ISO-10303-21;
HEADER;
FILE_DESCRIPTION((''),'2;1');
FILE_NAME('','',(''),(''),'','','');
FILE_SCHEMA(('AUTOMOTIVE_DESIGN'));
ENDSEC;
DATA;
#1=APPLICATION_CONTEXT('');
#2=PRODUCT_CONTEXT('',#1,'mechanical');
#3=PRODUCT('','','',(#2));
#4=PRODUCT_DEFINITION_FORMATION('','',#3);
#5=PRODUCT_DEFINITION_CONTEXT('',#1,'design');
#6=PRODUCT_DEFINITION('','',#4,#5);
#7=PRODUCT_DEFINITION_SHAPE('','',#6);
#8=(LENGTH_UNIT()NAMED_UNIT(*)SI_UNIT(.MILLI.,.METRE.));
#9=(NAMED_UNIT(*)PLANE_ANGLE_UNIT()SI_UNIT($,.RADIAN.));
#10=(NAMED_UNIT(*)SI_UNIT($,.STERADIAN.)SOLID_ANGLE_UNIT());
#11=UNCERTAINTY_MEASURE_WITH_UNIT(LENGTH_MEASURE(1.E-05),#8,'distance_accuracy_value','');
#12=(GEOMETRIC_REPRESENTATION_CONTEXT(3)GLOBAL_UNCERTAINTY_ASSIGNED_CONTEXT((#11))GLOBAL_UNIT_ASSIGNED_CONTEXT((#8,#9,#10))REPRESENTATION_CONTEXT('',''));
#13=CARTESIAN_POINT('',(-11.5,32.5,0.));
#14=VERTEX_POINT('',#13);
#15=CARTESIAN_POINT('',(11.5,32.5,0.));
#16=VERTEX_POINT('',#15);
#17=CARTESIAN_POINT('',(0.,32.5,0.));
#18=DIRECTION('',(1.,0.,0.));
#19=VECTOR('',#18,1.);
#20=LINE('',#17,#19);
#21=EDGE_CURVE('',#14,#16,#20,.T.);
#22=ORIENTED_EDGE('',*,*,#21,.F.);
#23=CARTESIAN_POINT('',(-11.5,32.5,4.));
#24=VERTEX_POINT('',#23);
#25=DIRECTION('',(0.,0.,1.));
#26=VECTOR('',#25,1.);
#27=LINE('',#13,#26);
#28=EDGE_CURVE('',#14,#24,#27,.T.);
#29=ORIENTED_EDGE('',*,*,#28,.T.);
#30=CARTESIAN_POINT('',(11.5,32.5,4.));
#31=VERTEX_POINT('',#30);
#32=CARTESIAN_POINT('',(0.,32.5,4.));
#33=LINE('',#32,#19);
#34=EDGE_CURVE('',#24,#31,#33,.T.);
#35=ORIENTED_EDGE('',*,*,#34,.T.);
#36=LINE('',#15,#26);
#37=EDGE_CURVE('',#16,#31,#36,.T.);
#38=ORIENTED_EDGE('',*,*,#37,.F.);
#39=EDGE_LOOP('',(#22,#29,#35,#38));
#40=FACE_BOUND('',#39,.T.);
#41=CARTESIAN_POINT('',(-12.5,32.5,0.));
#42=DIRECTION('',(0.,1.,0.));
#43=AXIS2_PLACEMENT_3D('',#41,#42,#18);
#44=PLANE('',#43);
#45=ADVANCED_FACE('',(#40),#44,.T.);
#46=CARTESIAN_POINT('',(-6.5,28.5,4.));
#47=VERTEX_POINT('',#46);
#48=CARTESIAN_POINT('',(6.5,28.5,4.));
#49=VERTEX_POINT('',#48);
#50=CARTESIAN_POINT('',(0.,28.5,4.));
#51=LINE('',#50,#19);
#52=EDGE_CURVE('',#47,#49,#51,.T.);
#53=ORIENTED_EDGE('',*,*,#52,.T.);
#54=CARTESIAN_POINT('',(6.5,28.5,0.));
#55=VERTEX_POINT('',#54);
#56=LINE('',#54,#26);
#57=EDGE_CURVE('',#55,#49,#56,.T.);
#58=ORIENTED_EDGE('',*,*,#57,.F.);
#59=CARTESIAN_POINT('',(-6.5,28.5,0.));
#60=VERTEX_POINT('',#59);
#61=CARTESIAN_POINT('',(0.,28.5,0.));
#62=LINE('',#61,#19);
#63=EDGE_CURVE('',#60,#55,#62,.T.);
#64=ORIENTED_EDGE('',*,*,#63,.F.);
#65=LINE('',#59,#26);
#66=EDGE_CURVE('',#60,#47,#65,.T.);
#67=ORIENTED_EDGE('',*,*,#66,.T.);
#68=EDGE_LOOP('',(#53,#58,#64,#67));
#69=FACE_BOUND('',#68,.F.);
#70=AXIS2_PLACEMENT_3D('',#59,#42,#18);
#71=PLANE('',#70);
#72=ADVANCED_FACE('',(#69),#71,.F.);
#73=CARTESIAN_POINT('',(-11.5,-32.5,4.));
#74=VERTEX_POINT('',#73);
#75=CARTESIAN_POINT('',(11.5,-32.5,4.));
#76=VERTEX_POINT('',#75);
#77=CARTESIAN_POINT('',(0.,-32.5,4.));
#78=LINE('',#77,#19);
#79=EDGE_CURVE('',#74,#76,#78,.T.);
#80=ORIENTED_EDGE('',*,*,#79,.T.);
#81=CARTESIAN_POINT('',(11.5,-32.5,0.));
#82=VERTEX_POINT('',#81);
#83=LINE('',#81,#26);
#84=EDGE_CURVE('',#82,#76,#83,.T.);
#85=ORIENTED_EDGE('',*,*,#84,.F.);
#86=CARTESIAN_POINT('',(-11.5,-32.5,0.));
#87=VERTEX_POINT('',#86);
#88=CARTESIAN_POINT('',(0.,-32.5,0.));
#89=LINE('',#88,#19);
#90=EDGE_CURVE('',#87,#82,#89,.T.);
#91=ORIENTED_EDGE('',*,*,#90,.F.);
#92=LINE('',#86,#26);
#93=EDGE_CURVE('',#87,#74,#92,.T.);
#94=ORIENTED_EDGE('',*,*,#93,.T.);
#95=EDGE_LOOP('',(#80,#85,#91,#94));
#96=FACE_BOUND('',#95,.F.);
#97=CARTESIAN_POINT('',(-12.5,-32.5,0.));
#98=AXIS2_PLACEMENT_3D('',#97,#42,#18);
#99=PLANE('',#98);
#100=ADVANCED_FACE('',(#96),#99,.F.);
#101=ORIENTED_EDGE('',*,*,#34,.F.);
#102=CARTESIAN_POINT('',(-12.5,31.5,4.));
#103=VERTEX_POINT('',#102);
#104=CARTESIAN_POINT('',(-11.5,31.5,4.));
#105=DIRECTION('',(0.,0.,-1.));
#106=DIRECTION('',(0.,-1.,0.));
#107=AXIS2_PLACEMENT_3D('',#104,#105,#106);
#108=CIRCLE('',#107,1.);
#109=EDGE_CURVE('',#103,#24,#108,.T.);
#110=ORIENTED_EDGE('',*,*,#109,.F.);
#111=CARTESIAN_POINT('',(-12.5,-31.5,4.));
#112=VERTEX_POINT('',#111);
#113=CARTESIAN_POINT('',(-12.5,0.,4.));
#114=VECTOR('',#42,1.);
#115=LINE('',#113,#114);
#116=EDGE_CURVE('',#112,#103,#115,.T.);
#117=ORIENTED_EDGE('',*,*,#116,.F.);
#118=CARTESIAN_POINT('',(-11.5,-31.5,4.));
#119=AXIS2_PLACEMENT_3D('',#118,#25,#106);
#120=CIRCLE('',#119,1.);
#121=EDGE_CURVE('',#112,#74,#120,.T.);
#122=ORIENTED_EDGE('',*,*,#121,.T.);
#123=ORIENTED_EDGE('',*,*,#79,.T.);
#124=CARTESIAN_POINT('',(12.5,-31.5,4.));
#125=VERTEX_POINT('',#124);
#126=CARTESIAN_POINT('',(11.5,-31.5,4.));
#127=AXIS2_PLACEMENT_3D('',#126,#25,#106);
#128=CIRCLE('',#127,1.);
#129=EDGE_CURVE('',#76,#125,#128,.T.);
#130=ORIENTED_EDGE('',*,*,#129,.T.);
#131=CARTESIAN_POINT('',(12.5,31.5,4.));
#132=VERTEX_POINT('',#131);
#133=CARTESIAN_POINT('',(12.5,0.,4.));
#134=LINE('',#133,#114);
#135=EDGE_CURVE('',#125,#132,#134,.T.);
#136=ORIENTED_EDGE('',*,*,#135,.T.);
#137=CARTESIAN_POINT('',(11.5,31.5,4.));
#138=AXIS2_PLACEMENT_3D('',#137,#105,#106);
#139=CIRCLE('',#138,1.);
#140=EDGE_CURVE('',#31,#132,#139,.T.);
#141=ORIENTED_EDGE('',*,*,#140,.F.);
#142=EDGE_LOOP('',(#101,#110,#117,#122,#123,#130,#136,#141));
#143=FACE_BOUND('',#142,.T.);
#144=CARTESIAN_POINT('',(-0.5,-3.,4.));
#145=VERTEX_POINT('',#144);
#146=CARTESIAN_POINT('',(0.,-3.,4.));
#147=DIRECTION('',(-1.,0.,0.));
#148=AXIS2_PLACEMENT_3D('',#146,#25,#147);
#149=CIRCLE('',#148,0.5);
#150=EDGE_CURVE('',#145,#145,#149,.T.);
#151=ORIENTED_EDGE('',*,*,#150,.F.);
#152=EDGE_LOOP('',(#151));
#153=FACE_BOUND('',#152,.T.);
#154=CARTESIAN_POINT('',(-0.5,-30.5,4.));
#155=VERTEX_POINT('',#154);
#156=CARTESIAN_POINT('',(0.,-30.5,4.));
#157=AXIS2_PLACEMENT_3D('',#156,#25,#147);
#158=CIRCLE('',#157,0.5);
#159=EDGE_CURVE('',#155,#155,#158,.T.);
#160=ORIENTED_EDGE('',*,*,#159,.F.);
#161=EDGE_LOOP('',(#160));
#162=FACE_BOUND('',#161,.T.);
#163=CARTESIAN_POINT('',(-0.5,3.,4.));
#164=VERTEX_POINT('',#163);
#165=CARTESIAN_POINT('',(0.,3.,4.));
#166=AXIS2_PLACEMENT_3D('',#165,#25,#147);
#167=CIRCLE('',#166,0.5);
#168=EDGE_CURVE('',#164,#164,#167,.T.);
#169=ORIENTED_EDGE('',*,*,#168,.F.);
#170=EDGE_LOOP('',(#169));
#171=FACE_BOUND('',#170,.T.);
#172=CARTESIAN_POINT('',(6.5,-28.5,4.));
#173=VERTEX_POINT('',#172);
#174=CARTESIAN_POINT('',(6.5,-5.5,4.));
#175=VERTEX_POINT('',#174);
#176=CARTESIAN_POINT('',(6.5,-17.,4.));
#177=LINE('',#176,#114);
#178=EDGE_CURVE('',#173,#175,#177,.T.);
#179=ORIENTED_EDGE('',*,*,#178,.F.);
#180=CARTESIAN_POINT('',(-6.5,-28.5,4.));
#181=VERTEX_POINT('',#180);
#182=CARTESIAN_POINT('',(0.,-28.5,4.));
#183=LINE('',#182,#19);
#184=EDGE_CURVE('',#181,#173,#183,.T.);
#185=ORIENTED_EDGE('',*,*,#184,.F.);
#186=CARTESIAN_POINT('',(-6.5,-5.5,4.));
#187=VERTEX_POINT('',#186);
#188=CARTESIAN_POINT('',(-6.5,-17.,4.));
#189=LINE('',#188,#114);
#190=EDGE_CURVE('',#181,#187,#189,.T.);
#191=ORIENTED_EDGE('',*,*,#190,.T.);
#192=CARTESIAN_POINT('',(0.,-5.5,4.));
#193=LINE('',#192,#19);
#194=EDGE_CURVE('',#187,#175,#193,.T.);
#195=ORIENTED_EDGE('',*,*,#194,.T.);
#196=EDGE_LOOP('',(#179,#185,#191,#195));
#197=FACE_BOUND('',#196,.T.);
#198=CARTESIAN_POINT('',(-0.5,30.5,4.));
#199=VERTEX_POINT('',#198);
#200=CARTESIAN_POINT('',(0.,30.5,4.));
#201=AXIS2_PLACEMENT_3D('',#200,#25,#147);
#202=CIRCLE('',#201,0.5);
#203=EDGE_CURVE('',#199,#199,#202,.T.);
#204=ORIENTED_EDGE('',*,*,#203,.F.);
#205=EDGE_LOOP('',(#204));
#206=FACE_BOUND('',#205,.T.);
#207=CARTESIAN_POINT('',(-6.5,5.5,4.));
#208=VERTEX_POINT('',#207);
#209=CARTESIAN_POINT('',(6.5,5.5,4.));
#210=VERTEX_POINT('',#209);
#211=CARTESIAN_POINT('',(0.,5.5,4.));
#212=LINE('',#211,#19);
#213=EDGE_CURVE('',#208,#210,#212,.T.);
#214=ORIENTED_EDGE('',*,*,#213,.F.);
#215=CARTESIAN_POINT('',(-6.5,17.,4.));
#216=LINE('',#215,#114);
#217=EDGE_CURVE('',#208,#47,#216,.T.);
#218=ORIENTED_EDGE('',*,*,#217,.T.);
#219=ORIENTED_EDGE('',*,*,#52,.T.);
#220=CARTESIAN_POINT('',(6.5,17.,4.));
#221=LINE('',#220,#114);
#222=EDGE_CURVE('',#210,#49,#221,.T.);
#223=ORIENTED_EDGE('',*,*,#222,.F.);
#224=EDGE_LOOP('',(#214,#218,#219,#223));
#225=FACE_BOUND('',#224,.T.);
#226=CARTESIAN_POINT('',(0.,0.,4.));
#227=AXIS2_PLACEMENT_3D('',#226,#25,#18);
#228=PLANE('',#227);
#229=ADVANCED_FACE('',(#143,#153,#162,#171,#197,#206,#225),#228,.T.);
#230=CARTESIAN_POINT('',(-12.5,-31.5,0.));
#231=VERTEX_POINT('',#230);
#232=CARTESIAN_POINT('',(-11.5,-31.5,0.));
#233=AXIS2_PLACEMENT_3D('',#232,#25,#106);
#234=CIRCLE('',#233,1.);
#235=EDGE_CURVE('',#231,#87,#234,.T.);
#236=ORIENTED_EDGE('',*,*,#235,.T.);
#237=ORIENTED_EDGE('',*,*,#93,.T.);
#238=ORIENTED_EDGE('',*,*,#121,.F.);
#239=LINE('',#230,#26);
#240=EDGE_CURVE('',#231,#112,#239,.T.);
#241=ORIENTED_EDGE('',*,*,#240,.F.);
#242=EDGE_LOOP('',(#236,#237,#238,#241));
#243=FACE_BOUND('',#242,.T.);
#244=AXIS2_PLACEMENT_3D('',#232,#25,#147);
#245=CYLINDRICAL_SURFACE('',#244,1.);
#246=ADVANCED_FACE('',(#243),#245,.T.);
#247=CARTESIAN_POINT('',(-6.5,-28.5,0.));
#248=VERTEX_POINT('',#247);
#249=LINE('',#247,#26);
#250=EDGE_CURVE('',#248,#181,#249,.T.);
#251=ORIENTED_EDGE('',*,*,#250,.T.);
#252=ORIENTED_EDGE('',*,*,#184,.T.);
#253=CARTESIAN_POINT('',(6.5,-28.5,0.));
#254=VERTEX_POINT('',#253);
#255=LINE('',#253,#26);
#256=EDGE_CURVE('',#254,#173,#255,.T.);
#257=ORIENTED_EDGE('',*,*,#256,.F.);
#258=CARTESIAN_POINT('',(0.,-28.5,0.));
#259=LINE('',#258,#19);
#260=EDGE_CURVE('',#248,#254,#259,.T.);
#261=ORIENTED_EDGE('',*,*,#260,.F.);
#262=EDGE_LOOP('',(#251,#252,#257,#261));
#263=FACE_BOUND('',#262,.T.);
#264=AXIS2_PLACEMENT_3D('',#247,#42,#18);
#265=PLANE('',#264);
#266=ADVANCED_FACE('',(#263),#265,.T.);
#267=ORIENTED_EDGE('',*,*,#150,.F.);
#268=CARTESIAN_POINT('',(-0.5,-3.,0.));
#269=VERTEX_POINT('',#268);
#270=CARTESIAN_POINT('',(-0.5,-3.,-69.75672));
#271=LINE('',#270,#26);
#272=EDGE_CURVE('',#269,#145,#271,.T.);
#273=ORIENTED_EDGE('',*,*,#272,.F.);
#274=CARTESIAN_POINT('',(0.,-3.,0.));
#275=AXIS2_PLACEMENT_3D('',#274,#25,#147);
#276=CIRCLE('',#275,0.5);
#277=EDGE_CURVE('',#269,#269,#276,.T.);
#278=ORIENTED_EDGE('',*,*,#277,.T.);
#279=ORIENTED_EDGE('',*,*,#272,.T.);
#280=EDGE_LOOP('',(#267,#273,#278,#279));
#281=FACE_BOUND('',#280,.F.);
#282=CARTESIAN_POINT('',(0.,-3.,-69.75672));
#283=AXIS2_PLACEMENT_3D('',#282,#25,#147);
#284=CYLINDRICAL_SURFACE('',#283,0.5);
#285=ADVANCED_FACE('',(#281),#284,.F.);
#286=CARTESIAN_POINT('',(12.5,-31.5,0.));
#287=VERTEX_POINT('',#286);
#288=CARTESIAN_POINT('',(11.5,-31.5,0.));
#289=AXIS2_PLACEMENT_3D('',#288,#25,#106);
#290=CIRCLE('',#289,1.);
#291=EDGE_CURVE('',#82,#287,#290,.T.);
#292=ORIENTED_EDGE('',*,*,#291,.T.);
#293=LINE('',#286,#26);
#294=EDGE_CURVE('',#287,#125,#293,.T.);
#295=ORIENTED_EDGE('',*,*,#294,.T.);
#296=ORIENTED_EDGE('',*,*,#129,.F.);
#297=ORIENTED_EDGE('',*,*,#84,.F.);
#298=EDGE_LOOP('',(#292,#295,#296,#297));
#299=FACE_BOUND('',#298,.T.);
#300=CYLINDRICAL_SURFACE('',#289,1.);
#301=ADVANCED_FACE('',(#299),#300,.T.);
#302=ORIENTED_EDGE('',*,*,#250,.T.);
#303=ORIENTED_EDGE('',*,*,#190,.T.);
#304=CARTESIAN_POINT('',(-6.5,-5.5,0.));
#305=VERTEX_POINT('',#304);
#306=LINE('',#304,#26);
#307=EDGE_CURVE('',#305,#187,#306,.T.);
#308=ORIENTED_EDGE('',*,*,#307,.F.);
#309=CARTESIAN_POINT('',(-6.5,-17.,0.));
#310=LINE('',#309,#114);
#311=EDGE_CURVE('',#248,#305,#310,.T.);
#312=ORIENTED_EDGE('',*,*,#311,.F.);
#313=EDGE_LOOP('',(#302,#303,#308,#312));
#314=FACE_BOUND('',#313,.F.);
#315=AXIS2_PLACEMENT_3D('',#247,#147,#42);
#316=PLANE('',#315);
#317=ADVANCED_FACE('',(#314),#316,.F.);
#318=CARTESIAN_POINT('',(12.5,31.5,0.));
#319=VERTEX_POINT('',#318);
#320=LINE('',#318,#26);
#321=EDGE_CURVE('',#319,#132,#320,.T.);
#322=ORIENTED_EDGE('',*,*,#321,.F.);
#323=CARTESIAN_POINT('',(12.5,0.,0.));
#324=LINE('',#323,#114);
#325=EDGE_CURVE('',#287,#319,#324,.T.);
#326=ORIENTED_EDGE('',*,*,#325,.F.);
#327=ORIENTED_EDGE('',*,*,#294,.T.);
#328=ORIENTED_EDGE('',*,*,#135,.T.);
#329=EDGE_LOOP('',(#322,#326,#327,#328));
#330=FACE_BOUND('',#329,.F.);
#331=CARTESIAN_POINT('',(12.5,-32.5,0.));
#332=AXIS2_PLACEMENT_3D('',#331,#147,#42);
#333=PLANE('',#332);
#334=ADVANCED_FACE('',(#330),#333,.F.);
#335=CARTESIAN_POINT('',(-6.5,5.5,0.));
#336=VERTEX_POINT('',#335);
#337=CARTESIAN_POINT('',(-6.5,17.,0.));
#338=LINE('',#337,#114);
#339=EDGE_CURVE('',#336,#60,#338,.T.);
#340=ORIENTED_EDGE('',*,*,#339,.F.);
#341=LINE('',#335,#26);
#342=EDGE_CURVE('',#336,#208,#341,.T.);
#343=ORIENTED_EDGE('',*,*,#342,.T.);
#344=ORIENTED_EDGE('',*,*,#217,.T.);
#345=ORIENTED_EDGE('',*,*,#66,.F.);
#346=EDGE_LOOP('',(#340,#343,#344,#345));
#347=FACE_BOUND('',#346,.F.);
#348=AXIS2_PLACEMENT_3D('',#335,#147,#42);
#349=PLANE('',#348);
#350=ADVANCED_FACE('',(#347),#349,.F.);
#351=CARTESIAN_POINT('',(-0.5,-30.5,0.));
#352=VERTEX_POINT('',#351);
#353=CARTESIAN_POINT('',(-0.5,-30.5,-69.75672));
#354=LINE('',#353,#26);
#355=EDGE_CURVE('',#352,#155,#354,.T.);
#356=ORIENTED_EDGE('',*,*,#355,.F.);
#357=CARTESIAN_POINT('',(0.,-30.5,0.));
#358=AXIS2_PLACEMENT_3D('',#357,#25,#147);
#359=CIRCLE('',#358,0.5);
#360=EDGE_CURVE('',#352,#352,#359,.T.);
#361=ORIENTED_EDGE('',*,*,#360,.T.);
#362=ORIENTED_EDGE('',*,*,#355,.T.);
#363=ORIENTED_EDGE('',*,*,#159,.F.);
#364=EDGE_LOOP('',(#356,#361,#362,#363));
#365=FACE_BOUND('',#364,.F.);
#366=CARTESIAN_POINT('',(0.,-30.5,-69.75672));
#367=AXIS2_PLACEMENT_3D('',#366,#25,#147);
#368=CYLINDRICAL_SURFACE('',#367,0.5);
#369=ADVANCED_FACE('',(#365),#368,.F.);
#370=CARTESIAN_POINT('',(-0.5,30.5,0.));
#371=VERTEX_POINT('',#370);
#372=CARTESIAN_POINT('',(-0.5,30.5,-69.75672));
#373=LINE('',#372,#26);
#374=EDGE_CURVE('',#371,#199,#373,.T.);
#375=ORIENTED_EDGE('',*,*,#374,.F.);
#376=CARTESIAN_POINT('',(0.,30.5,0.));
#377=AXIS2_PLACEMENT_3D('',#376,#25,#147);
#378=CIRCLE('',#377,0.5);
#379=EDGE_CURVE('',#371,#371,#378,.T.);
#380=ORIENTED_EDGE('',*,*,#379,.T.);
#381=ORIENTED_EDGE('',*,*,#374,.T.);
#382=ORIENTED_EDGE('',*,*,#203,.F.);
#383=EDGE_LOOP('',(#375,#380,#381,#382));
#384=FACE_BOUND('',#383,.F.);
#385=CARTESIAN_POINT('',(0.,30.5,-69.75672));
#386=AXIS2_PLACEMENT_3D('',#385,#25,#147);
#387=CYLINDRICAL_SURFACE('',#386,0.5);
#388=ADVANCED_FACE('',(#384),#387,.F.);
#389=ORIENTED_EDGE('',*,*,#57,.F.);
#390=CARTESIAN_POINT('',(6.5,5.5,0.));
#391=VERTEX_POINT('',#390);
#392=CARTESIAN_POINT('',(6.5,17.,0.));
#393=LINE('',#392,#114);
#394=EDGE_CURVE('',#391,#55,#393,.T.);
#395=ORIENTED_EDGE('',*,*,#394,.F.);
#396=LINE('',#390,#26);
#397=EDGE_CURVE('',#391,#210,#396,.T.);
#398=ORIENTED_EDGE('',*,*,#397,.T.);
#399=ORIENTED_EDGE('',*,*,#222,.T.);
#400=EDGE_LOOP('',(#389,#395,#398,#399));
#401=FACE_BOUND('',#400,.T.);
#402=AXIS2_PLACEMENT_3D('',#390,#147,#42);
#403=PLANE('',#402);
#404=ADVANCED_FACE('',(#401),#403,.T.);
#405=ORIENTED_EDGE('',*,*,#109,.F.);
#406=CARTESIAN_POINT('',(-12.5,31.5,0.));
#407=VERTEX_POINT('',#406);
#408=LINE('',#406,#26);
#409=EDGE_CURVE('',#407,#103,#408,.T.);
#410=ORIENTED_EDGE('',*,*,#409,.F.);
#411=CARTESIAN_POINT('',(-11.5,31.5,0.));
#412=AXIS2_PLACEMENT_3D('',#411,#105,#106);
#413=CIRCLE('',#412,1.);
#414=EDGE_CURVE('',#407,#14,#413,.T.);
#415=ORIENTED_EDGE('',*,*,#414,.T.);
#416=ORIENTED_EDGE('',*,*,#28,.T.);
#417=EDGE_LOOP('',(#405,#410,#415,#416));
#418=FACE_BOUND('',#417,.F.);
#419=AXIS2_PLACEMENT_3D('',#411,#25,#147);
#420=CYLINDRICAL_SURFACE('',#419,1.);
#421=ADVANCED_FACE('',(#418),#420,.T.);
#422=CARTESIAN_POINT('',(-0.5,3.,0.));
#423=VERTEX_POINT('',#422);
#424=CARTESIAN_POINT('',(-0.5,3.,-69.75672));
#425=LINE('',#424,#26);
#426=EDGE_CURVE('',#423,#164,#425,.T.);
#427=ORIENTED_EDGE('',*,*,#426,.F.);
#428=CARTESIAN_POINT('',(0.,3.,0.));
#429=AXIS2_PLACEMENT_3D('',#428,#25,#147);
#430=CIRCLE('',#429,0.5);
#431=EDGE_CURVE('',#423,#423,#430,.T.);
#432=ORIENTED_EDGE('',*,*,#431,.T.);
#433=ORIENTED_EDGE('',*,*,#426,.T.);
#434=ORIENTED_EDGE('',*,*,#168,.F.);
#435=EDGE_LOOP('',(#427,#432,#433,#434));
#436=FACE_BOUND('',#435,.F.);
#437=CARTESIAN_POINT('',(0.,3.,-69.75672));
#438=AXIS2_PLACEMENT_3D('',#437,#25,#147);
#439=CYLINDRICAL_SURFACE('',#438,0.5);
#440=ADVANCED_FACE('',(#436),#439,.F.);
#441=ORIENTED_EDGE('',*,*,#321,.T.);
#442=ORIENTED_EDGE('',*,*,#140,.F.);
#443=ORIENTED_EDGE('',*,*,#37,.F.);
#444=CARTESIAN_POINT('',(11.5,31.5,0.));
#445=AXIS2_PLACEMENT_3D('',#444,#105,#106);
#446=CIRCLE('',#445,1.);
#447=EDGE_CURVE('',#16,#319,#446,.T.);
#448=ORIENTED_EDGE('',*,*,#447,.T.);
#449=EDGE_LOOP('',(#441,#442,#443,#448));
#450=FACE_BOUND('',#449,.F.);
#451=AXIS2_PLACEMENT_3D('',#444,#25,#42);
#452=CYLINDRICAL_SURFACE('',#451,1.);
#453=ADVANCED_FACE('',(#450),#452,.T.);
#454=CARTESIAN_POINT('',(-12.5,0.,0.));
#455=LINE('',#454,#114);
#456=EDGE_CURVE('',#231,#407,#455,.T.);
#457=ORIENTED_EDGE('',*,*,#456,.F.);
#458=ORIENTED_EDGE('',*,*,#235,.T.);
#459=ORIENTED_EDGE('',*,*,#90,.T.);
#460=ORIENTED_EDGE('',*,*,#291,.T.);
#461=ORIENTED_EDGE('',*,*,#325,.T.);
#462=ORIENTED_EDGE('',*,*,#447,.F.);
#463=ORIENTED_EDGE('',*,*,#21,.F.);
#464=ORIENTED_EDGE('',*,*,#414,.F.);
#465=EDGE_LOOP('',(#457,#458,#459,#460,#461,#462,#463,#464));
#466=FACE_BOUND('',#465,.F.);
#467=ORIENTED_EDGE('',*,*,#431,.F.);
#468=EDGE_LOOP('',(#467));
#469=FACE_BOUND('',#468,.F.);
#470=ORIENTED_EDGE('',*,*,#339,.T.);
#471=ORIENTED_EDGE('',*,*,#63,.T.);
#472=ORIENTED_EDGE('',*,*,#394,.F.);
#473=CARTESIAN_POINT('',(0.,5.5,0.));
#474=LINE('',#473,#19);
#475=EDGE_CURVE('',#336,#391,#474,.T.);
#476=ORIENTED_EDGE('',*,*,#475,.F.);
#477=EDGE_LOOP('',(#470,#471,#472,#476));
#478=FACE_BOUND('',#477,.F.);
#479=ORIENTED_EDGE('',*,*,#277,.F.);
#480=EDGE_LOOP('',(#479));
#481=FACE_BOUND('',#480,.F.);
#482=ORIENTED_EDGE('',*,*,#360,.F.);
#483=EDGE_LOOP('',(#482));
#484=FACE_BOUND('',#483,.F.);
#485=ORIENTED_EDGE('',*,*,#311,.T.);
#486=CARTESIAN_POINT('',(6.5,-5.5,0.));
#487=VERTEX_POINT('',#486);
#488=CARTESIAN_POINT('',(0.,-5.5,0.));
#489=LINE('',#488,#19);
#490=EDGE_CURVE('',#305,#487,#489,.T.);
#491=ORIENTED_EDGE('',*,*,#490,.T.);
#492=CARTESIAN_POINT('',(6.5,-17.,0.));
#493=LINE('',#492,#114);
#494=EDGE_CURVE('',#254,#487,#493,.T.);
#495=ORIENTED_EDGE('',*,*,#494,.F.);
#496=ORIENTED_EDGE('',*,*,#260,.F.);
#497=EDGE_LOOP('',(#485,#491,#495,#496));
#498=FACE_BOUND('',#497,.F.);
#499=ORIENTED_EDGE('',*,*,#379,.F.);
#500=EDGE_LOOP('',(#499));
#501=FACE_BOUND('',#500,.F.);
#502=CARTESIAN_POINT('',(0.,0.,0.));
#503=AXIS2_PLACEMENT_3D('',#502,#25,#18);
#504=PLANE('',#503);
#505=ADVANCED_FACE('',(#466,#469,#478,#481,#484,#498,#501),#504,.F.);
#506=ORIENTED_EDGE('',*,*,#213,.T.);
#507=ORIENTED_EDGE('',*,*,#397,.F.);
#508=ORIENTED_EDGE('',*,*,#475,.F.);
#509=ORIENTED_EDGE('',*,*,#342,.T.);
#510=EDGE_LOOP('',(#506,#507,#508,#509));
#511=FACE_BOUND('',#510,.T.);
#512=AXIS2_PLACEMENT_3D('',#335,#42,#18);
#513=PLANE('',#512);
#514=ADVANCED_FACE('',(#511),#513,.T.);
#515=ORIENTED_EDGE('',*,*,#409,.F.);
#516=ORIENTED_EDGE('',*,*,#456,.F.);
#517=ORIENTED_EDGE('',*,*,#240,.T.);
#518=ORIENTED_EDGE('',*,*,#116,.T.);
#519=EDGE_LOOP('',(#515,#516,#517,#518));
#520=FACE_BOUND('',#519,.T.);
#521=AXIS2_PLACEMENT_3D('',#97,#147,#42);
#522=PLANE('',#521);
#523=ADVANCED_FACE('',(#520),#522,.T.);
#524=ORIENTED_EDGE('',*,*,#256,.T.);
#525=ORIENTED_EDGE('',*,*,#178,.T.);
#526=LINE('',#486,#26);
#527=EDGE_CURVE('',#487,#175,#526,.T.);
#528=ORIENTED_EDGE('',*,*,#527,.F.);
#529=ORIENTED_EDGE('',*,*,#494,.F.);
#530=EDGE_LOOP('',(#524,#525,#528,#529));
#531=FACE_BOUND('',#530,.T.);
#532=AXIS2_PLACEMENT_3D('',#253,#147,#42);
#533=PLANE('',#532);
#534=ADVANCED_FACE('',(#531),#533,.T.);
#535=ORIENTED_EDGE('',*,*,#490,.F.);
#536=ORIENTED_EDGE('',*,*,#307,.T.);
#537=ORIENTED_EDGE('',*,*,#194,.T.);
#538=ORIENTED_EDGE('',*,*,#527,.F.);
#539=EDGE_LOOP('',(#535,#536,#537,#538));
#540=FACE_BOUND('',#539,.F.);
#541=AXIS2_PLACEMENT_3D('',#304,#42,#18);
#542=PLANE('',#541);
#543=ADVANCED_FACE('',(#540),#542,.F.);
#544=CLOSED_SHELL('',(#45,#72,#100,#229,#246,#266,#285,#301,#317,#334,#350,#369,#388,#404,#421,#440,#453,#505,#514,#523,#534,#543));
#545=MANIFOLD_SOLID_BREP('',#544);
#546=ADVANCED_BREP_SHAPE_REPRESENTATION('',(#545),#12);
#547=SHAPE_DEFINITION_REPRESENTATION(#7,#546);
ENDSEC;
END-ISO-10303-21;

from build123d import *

# Parameters (mm, degrees)
F0_W     = 25
F0_H     = 65
F0_W_2   = 13
F0_H_2   = 23
F1_DEPTH = 4
F4_D     = 1
F5_R     = 1


with BuildPart() as f1:
    # F0 (on Top) → F1 (new body)
    with BuildSketch(Plane.XY):
        Rectangle(F0_W, F0_H)
        with Locations((0, -17)):
            Rectangle(F0_W_2, F0_H_2, mode=Mode.SUBTRACT)
        with Locations((0, 17)):
            Rectangle(F0_W_2, F0_H_2, mode=Mode.SUBTRACT)
    extrude(amount=F1_DEPTH)

    # F4 (through all)
    with Locations(Plane(origin=(0, 0, 0), x_dir=(1, 0, 0), z_dir=(0, 0, -1))):
        with Locations((0, 30.5), (0, 3), (0, -3), (0, -30.5)):
            Hole(F4_D / 2)

    # F5
    f5_edges = [f1.edges().sort_by_distance(p)[0] for p in [
        (-12.5, 32.5, 2),
        (12.5, 32.5, 2),
        (-12.5, -32.5, 2),
        (12.5, -32.5, 2),
    ]]
    fillet(f5_edges, radius=F5_R)


solid = f1.part
